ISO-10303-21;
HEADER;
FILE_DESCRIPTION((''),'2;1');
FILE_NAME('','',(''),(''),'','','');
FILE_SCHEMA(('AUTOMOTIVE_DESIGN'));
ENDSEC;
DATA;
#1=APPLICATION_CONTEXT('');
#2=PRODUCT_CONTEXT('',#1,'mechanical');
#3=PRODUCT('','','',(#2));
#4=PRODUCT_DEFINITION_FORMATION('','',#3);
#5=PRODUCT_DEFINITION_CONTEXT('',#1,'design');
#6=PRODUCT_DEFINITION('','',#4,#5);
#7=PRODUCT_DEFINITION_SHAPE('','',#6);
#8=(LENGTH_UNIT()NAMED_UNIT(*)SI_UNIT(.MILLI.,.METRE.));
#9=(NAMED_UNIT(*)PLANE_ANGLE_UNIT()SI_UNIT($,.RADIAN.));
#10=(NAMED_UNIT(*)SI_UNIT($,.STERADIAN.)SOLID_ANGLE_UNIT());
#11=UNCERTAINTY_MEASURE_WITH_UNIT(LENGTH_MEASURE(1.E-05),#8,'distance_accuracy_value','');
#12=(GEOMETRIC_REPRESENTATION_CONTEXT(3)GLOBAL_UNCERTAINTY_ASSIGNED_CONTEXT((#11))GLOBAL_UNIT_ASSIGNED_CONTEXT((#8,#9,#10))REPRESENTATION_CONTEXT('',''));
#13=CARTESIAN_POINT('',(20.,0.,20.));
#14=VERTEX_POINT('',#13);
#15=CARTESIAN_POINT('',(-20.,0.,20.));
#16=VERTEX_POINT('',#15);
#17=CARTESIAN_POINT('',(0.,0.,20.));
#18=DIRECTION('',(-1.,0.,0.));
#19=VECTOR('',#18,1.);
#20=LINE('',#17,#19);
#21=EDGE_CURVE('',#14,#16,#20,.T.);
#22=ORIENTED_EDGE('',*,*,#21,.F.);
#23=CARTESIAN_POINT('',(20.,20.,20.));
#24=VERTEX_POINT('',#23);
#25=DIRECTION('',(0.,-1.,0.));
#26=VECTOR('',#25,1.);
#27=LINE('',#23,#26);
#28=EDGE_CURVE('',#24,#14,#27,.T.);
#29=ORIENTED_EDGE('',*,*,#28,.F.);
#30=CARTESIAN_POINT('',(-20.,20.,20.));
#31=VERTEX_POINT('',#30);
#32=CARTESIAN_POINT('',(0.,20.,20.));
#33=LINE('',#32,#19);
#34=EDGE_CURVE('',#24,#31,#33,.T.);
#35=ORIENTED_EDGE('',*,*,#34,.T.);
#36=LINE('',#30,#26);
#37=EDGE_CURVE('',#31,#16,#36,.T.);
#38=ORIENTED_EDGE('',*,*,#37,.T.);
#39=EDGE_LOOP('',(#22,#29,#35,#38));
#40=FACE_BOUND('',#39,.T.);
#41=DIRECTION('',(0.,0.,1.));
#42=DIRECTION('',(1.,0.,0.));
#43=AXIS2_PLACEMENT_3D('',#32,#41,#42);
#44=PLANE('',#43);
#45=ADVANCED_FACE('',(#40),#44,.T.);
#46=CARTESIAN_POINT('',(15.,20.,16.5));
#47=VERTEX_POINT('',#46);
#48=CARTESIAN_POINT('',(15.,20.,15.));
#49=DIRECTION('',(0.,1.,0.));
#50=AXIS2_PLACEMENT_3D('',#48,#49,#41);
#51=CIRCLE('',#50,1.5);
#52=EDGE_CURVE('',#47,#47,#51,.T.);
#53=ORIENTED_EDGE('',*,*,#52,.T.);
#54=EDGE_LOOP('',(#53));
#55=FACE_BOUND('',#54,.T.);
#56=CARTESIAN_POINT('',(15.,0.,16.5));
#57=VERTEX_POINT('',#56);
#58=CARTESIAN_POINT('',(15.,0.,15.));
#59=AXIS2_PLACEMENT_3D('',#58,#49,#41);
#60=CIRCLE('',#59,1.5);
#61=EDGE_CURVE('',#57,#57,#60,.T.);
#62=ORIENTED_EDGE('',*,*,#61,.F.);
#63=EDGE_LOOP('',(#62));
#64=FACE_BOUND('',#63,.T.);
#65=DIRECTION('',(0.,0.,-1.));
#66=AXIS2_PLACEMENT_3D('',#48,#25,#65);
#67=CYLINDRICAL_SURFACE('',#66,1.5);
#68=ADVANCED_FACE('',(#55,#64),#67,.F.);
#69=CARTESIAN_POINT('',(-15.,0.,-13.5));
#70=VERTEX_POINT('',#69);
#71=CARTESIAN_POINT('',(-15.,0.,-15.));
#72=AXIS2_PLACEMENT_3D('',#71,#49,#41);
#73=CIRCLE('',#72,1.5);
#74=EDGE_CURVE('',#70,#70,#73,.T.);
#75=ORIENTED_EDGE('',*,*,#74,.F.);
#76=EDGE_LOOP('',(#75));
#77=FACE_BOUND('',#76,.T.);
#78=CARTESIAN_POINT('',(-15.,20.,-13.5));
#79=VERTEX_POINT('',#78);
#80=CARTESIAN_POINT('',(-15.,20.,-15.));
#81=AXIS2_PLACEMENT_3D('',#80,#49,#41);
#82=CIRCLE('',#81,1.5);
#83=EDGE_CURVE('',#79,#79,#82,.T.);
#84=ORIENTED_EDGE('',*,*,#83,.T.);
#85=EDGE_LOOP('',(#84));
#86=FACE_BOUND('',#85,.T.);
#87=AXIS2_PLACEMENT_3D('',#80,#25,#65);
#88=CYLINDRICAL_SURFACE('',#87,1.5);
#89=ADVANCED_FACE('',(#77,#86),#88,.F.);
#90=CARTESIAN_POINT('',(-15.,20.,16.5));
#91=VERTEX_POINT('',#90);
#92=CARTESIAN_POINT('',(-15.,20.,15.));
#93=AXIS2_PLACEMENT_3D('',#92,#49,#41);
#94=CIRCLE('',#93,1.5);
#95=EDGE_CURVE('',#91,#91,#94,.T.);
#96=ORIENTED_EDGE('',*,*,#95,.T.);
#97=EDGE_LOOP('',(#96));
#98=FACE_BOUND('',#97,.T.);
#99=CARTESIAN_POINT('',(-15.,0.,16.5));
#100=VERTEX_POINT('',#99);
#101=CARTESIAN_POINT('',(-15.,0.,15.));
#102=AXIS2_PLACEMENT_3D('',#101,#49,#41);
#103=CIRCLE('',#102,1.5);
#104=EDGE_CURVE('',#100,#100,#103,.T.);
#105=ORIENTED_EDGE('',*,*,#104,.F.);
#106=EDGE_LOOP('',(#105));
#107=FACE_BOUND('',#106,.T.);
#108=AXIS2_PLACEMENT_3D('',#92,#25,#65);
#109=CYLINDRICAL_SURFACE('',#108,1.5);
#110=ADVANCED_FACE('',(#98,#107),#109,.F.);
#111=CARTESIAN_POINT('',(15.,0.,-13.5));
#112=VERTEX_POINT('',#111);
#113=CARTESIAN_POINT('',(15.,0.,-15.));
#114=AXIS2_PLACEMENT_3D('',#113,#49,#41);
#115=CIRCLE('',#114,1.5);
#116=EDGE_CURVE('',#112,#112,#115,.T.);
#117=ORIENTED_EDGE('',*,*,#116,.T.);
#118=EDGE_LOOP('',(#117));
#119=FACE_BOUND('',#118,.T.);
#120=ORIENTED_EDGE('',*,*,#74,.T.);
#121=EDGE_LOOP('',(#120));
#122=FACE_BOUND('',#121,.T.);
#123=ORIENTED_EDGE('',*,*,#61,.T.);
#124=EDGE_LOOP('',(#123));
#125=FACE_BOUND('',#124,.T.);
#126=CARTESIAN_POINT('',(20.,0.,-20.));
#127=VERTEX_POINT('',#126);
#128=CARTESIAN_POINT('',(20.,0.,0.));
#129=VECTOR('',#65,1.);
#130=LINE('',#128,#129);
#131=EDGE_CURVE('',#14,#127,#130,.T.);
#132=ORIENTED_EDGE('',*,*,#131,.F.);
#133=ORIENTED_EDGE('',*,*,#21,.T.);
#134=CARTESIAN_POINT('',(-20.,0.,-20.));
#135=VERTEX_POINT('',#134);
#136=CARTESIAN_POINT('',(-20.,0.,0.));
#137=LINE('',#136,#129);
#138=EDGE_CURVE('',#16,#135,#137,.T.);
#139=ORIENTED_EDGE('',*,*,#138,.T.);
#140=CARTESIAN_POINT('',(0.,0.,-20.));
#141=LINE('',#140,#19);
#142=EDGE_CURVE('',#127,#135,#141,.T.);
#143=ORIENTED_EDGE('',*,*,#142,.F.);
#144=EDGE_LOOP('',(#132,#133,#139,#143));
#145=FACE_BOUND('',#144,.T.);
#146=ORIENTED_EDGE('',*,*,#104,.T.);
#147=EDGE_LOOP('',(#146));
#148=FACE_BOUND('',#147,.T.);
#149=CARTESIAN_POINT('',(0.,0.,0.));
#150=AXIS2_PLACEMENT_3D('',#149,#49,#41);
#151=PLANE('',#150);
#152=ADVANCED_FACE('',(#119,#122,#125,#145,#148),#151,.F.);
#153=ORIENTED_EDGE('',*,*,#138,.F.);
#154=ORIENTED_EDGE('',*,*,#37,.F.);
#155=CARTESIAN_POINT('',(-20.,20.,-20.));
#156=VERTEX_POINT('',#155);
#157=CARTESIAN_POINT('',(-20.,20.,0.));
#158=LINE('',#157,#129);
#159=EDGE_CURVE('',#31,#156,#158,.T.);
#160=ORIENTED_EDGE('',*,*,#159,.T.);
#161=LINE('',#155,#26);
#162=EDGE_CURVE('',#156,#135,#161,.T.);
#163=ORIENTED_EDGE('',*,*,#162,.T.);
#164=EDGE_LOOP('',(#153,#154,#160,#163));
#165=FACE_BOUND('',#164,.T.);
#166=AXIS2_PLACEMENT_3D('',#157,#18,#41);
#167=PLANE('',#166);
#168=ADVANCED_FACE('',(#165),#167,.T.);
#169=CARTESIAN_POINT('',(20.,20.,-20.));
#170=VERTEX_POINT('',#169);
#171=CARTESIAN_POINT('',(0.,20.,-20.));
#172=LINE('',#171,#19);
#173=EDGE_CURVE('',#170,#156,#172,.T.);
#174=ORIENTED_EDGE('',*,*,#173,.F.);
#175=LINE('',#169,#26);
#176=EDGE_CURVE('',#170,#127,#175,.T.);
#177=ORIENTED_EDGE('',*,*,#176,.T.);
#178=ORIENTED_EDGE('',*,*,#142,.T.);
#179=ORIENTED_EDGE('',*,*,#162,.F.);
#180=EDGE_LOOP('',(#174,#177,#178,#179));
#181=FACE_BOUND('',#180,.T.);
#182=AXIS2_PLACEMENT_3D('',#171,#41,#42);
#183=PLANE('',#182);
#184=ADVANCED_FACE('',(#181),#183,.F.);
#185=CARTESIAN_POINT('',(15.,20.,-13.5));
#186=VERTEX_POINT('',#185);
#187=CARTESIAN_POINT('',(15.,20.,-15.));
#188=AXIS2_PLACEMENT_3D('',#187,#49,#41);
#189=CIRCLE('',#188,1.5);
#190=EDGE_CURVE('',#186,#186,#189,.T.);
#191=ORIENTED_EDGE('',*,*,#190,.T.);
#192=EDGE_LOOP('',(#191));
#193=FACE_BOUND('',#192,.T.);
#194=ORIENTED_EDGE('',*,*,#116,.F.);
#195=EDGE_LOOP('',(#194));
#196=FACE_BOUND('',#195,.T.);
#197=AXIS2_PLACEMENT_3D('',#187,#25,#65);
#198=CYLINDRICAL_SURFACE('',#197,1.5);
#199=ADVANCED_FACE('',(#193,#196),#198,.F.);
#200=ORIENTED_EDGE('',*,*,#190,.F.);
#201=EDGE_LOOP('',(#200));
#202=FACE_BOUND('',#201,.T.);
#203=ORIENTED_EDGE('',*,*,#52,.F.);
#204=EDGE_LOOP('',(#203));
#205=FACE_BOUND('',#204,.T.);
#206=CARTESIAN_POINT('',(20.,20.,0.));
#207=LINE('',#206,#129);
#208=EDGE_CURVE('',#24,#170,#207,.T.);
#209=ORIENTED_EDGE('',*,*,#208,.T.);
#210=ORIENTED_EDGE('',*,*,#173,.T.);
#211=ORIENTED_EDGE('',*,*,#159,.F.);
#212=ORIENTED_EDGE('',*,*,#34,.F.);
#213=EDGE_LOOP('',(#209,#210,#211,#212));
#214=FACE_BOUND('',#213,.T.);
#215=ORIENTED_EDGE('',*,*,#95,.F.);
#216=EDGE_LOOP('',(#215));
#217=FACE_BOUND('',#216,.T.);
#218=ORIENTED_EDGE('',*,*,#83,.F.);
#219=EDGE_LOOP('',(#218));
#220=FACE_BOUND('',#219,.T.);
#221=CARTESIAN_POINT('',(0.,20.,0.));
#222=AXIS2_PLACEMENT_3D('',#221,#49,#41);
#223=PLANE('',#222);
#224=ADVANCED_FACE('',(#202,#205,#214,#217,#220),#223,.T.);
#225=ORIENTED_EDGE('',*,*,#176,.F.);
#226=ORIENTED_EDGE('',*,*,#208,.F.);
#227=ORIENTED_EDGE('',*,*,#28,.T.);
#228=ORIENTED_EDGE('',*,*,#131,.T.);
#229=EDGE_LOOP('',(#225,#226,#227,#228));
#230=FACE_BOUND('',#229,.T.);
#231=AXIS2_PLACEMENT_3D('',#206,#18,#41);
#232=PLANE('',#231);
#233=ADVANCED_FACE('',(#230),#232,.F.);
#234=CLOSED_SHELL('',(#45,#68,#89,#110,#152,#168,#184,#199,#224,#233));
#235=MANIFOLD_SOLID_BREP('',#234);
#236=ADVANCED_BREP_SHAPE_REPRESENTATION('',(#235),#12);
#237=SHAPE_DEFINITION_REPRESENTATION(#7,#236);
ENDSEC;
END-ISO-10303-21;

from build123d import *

# Parameters (mm, degrees)
SKETCH1_W           = 40
SKETCH1_H           = 40
SKETCH1_R           = 1.5
BOSS_EXTRUDE1_DEPTH = 20


with BuildPart() as part:
    # Sketch1 → Boss-Extrude1 (new body)
    with BuildSketch(Plane(origin=(0, 0, 0), x_dir=(1, 0, 0), z_dir=(0, 1, 0))):
        Rectangle(SKETCH1_W, SKETCH1_H)
        with Locations(Location((-15, 15, 0), (0, 0, 270))):
            Circle(SKETCH1_R, mode=Mode.SUBTRACT)
        with Locations(Location((15, 15, 0), (0, 0, 270))):
            Circle(SKETCH1_R, mode=Mode.SUBTRACT)
        with Locations(Location((15, -15, 0), (0, 0, 270))):
            Circle(SKETCH1_R, mode=Mode.SUBTRACT)
        with Locations(Location((-15, -15, 0), (0, 0, 270))):
            Circle(SKETCH1_R, mode=Mode.SUBTRACT)
    extrude(amount=BOSS_EXTRUDE1_DEPTH)


solid = part.part
